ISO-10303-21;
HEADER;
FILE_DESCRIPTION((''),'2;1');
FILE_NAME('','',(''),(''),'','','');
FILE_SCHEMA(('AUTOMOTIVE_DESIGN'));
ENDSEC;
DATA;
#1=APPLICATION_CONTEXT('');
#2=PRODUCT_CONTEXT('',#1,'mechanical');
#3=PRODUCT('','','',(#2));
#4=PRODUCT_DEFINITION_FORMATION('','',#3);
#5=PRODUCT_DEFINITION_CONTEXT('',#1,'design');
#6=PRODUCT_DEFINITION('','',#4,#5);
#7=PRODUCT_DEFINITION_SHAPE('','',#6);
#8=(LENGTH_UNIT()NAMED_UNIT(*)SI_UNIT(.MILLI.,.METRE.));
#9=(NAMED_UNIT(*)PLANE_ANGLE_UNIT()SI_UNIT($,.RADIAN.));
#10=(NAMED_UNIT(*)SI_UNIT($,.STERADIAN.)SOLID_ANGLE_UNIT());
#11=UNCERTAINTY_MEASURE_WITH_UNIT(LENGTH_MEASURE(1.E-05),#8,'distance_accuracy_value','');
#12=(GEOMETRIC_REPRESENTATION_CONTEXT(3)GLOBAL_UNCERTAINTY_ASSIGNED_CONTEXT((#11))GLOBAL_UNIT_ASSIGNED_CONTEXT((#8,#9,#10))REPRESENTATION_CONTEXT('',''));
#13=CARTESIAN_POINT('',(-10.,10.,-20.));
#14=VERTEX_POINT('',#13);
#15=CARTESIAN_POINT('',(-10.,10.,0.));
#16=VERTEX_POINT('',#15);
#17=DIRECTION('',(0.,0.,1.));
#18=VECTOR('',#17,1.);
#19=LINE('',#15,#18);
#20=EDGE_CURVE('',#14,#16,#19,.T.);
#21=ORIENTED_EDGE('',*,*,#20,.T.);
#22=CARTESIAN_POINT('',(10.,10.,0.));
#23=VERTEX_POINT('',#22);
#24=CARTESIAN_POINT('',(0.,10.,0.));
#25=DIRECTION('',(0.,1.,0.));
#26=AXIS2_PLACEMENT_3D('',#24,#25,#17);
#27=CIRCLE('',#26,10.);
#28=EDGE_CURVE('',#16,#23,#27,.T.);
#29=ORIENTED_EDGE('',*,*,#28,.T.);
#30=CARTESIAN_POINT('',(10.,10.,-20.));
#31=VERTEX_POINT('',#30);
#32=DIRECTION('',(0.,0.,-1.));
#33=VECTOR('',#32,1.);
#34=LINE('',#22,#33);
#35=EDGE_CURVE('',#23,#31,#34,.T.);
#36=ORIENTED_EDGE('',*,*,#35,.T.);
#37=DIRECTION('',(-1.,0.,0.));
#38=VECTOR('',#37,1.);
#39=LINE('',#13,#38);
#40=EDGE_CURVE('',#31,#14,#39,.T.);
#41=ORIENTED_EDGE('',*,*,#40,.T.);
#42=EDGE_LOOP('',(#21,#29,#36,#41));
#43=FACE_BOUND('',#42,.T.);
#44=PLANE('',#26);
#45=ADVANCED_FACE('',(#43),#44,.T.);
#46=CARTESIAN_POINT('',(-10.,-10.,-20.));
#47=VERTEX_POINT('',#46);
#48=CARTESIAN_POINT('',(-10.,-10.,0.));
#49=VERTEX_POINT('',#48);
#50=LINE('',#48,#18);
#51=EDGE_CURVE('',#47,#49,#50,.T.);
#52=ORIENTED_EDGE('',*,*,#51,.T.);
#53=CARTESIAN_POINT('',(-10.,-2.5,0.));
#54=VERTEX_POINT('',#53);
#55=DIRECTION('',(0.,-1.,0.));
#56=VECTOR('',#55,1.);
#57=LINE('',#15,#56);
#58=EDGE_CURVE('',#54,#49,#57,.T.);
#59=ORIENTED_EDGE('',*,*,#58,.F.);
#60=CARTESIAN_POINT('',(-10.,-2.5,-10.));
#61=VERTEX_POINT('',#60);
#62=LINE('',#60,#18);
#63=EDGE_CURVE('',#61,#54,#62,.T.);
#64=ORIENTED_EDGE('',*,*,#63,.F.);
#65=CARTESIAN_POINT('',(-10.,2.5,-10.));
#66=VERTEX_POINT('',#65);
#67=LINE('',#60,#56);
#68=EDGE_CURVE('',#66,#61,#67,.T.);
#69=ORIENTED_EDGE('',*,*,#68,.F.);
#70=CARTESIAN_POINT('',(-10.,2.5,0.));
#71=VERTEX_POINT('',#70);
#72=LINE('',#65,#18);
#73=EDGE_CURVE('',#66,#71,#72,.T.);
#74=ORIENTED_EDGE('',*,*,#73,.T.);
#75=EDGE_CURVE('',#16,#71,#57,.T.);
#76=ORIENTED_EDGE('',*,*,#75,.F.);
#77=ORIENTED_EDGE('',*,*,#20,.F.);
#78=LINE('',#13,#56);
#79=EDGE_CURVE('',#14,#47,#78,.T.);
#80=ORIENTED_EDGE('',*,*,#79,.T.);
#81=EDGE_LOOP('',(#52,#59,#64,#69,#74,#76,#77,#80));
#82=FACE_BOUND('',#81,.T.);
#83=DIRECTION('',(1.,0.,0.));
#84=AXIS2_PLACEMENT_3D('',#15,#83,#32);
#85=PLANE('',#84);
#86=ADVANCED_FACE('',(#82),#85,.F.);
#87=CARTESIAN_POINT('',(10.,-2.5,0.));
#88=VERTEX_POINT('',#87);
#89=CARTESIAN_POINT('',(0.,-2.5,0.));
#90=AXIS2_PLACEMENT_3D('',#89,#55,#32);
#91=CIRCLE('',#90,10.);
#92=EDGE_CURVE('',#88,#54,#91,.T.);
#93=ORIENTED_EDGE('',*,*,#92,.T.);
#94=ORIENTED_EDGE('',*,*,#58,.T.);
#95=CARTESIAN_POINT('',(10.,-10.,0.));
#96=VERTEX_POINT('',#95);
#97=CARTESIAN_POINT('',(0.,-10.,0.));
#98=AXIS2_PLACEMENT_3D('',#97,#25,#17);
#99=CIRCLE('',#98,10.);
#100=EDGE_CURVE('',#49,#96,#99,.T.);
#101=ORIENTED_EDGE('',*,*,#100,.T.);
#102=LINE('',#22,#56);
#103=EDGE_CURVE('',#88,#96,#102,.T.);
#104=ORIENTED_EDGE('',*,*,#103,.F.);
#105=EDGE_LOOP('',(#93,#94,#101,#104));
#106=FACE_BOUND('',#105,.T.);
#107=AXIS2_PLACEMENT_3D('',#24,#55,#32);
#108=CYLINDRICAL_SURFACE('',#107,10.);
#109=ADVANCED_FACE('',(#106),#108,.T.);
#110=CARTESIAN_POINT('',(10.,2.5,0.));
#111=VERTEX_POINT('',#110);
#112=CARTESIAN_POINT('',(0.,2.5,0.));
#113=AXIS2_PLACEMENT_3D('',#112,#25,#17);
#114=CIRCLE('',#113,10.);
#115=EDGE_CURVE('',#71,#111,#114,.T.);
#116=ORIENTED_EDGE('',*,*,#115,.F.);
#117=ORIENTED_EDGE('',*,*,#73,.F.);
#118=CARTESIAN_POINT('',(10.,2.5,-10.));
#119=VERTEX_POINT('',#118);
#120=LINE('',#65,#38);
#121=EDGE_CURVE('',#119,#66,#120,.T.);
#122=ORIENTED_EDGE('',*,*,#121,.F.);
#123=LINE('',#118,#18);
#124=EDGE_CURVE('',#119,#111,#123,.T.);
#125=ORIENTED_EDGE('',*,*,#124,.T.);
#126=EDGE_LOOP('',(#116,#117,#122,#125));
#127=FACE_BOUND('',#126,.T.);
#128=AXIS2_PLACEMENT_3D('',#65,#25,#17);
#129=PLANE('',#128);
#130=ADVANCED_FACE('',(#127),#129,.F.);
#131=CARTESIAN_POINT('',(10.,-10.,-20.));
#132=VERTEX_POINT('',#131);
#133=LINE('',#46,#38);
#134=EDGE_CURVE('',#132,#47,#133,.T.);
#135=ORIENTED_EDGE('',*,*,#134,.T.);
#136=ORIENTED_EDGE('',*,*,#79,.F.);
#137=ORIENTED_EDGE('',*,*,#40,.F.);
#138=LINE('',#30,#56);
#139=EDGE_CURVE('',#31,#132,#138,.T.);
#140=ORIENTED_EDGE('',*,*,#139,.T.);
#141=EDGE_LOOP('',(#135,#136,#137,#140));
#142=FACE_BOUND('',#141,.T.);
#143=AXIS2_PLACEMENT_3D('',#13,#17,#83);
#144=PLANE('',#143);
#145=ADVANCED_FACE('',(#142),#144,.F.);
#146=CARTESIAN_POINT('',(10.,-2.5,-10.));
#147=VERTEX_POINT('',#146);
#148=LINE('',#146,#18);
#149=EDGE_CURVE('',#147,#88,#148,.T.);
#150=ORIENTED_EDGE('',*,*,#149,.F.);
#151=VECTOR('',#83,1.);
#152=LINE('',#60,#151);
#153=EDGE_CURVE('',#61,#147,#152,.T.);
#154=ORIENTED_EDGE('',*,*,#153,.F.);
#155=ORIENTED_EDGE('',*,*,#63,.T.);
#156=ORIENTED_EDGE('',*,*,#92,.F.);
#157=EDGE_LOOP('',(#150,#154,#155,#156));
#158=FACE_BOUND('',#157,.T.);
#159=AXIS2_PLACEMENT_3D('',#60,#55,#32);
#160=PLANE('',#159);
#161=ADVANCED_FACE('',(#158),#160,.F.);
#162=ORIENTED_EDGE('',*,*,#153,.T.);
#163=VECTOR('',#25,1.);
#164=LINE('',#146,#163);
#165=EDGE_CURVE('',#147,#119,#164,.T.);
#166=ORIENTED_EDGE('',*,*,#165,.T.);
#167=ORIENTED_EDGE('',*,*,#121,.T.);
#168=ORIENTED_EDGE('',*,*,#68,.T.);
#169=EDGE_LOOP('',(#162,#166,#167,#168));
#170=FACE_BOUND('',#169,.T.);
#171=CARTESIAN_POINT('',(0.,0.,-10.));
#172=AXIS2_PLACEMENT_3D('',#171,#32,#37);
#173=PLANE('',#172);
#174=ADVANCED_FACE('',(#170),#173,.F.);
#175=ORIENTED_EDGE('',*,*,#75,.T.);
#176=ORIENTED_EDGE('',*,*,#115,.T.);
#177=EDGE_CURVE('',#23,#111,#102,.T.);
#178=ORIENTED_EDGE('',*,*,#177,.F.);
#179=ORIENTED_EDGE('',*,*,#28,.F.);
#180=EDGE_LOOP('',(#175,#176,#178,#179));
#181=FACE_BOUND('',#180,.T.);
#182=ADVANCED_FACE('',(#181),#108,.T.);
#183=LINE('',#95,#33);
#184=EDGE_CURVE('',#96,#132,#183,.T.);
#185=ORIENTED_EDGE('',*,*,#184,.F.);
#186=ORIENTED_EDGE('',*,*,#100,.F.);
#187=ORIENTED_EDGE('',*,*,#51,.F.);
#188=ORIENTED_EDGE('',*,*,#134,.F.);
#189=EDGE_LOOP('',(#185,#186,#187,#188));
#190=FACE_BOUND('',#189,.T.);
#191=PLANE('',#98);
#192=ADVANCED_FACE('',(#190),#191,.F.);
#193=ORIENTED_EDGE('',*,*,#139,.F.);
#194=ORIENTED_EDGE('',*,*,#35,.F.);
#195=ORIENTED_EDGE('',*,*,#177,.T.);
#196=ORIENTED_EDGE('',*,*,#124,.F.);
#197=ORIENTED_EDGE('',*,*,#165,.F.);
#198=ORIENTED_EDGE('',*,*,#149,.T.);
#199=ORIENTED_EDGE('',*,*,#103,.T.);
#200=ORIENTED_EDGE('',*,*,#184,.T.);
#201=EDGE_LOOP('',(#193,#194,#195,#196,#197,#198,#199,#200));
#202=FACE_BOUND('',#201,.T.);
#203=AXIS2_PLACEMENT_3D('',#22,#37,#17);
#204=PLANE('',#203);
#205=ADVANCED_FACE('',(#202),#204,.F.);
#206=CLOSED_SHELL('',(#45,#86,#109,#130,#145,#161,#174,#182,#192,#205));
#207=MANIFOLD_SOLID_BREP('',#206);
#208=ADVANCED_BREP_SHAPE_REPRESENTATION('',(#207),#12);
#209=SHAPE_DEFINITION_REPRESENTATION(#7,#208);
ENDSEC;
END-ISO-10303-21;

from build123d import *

# Parameters (mm, degrees)
AUFSATZ_LINEAR_AUSTRAGEN1_DEPTH      = 10
SCHNITT_LINEAR_AUSTRAGEN1_DEPTH      = 25.494897428
SCHNITT_LINEAR_AUSTRAGEN1_DEPTH_BACK = 10
SKIZZE2_W                            = 20
SKIZZE2_H                            = 5


with BuildPart() as part:
    # Skizze1 → Aufsatz-Linear austragen1 (new, symmetric)
    with BuildSketch(Plane(origin=(0, 0, 0), x_dir=(1, 0, 0), z_dir=(0, 1, 0))):
        with BuildLine():
            Line((-10, 0), (-10, 20))
            Line((-10, 20), (10, 20))
            Line((10, 20), (10, 0))
            ThreePointArc((10, 0), (0, -10), (-10, 0))
        make_face()
    extrude(amount=AUFSATZ_LINEAR_AUSTRAGEN1_DEPTH, both=True)

    # Skizze2 → Schnitt-Linear austragen1 (cut, two sides: drawn at the far end of the back side and taken through both)
    with BuildSketch(Plane.XY.offset(-SCHNITT_LINEAR_AUSTRAGEN1_DEPTH_BACK)):
        Rectangle(SKIZZE2_W, SKIZZE2_H)
    extrude(amount=SCHNITT_LINEAR_AUSTRAGEN1_DEPTH + SCHNITT_LINEAR_AUSTRAGEN1_DEPTH_BACK, mode=Mode.SUBTRACT)


solid = part.part
